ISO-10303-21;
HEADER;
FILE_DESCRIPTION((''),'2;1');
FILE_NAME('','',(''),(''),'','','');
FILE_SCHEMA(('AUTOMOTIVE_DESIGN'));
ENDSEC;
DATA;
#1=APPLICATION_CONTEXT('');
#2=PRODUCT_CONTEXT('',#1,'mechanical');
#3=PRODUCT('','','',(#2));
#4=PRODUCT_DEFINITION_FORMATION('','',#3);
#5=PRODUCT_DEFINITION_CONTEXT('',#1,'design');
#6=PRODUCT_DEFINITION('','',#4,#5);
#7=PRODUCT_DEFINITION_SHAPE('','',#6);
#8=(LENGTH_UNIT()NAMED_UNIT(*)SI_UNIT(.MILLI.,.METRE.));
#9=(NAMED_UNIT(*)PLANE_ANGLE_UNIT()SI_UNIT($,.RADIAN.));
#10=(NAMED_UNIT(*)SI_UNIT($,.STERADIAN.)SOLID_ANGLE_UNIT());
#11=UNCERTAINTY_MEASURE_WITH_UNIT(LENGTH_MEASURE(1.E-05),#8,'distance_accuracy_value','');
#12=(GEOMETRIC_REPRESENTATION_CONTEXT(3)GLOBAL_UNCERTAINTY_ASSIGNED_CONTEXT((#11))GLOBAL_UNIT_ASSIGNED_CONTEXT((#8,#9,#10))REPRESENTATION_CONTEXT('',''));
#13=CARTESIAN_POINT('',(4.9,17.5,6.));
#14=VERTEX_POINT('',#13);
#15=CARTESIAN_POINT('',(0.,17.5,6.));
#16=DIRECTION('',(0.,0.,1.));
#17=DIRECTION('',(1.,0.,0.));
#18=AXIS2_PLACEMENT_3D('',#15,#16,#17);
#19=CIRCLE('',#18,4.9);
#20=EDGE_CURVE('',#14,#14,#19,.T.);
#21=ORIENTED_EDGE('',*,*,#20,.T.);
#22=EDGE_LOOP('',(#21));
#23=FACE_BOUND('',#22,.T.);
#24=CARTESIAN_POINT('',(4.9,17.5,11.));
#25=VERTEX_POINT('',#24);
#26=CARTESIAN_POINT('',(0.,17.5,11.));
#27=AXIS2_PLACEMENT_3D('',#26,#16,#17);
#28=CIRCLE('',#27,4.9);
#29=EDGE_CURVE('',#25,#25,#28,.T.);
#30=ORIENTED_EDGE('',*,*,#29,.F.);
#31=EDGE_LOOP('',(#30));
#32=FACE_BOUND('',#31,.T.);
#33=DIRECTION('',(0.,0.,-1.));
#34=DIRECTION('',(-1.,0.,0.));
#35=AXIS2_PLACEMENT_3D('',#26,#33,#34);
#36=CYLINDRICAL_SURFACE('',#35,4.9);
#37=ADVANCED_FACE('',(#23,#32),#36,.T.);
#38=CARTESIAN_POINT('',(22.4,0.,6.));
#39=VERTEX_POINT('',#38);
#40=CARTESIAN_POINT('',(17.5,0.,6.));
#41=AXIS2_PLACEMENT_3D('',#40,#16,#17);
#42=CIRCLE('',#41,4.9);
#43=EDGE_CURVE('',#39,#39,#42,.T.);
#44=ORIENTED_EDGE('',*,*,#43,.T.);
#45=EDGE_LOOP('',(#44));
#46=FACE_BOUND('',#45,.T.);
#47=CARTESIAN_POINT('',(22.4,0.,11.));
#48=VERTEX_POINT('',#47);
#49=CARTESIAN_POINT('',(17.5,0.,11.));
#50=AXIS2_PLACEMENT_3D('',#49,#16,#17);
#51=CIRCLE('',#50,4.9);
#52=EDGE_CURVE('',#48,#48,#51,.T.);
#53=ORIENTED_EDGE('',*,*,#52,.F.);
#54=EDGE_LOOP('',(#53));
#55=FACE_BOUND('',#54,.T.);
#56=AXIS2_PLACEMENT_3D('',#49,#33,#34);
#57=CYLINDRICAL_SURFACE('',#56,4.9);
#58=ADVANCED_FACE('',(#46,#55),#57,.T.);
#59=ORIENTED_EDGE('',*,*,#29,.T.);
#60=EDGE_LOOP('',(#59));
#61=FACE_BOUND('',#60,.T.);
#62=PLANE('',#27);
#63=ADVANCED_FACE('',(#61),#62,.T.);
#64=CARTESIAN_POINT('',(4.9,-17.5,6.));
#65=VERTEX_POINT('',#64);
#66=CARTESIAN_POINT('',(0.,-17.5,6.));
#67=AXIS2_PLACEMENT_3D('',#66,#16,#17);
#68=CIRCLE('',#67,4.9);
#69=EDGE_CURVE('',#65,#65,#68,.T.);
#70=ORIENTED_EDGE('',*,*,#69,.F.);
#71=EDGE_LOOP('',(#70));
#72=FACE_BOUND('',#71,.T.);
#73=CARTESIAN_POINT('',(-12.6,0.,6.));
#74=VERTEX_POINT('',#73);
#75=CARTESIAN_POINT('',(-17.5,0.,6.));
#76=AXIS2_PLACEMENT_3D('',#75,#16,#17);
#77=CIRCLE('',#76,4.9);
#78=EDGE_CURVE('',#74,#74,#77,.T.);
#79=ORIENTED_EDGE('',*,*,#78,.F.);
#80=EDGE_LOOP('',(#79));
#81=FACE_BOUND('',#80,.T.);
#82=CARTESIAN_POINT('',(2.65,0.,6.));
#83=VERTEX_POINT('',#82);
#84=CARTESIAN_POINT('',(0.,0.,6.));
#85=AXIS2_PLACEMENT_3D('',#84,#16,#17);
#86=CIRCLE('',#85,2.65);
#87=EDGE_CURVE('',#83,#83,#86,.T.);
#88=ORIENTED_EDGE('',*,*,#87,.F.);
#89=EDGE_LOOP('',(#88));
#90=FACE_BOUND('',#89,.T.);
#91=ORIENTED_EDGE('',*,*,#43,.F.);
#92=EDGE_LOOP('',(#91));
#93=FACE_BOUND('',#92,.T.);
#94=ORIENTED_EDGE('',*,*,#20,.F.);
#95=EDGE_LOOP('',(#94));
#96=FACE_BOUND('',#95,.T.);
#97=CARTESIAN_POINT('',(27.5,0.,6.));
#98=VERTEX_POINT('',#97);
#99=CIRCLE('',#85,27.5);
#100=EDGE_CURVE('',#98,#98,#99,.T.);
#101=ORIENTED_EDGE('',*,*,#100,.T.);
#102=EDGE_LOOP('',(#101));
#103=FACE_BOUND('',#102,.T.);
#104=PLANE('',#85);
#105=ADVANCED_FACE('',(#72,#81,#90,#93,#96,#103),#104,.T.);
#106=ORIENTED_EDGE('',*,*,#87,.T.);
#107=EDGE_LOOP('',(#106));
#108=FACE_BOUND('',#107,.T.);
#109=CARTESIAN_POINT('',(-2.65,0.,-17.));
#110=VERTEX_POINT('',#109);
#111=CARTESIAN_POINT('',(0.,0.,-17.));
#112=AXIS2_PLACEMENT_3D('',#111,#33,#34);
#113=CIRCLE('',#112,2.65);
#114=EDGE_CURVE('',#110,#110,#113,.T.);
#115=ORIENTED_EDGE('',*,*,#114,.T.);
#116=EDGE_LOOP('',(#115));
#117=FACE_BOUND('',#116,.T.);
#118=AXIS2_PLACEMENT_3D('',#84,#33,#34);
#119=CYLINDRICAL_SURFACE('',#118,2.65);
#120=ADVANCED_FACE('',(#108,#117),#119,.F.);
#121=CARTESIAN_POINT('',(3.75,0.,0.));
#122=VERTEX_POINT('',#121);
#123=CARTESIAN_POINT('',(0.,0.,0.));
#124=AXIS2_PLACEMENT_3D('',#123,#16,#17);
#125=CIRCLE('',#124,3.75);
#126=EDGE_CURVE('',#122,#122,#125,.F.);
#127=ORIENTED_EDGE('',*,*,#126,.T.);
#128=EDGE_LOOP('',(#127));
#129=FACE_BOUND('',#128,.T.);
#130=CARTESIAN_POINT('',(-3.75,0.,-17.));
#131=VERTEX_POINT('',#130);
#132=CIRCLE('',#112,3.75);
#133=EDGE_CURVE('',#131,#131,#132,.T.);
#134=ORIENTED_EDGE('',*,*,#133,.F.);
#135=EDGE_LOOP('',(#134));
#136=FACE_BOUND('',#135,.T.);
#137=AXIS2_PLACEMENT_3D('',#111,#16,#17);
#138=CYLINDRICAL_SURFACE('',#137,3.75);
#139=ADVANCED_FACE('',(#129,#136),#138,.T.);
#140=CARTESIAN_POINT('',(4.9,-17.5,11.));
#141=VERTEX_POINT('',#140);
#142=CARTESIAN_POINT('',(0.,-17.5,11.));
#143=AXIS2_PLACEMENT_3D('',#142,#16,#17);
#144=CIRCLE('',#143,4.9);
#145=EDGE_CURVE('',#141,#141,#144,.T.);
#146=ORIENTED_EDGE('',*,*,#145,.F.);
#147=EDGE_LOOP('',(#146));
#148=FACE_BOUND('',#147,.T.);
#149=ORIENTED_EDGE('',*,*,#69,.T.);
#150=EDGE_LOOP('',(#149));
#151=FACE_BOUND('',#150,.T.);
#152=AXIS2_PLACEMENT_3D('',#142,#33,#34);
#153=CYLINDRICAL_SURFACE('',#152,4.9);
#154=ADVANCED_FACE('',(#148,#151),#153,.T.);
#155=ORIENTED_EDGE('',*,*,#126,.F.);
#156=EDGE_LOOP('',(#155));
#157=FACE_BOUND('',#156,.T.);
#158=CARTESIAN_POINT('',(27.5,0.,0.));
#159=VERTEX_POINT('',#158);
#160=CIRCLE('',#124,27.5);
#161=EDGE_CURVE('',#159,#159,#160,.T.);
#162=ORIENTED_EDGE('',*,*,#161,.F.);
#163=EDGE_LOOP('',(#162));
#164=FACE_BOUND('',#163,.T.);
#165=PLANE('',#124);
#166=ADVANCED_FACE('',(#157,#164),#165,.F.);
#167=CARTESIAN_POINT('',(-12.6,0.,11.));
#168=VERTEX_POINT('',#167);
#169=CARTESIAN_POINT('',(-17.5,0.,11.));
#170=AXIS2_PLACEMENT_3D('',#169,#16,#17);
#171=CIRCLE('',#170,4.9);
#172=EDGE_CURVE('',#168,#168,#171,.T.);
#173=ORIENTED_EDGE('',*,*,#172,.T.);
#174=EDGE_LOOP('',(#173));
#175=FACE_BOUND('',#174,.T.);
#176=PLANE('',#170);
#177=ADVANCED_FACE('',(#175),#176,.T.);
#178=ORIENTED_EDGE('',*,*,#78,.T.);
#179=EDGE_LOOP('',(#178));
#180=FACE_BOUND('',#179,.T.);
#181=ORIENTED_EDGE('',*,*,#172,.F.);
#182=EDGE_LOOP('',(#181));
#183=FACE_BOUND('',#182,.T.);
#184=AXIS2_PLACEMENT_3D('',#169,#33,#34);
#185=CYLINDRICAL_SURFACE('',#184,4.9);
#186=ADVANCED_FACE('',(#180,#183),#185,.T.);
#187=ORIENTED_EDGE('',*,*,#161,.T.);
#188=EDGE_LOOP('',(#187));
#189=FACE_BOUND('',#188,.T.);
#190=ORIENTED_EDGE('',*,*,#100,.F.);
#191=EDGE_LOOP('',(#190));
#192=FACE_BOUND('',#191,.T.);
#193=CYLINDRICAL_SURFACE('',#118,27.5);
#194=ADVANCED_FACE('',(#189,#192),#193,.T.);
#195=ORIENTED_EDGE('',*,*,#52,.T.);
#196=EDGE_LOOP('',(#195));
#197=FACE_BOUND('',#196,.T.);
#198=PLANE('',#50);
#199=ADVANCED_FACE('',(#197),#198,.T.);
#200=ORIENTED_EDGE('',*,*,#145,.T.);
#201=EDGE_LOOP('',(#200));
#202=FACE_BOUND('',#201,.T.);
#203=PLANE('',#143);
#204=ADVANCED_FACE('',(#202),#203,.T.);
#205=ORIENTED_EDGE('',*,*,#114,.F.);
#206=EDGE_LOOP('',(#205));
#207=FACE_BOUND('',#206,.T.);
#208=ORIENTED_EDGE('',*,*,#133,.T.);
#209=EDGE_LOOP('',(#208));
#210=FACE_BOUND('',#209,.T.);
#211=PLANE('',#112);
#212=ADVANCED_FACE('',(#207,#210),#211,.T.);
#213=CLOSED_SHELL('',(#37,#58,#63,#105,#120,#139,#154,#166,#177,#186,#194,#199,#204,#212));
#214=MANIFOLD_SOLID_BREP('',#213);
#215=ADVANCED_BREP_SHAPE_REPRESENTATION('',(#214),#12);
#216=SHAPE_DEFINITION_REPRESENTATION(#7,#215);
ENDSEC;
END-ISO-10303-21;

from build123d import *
from build123d.topology import SkipClean

# Parameters (mm, degrees)
SKETCH1_R           = 27.5
SKETCH1_R_2         = 2.65
BOSS_EXTRUDE1_DEPTH = 6
SKETCH2_R           = 4.9
BOSS_EXTRUDE2_DEPTH = 5
BOSS_EXTRUDE3_START = 17
SKETCH3_R           = 3.75
SKETCH3_R_2         = 2.65
BOSS_EXTRUDE3_DEPTH = 17


with BuildPart() as part:
    # Sketch1 → Boss-Extrude1 (new body)
    with BuildSketch(Plane.XY):
        Circle(SKETCH1_R)
        Circle(SKETCH1_R_2, mode=Mode.SUBTRACT)
    extrude(amount=BOSS_EXTRUDE1_DEPTH)

    # Sketch2 → Boss-Extrude2 (add)
    with BuildSketch(Plane.XY.offset(6)):
        with Locations((0, 17.5)):
            Circle(SKETCH2_R)
        with Locations((17.5, 0)):
            Circle(SKETCH2_R)
        with Locations((0, -17.5)):
            Circle(SKETCH2_R)
        with Locations((-17.5, 0)):
            Circle(SKETCH2_R)
    extrude(amount=BOSS_EXTRUDE2_DEPTH)

    # Sketch3 → Boss-Extrude3 (add)
    with SkipClean():  # the faces are left unmerged after this step: merging them gives an invalid solid
        with BuildSketch(Plane(origin=(0, 0, 0), x_dir=(-1, 0, 0), z_dir=(0, 0, -1)).offset(BOSS_EXTRUDE3_START)):
            with Locations(Location((0, 0, 0), (0, 0, 180))):
                Circle(SKETCH3_R)
            Circle(SKETCH3_R_2, mode=Mode.SUBTRACT)
        extrude(amount=-BOSS_EXTRUDE3_DEPTH)


solid = part.part
